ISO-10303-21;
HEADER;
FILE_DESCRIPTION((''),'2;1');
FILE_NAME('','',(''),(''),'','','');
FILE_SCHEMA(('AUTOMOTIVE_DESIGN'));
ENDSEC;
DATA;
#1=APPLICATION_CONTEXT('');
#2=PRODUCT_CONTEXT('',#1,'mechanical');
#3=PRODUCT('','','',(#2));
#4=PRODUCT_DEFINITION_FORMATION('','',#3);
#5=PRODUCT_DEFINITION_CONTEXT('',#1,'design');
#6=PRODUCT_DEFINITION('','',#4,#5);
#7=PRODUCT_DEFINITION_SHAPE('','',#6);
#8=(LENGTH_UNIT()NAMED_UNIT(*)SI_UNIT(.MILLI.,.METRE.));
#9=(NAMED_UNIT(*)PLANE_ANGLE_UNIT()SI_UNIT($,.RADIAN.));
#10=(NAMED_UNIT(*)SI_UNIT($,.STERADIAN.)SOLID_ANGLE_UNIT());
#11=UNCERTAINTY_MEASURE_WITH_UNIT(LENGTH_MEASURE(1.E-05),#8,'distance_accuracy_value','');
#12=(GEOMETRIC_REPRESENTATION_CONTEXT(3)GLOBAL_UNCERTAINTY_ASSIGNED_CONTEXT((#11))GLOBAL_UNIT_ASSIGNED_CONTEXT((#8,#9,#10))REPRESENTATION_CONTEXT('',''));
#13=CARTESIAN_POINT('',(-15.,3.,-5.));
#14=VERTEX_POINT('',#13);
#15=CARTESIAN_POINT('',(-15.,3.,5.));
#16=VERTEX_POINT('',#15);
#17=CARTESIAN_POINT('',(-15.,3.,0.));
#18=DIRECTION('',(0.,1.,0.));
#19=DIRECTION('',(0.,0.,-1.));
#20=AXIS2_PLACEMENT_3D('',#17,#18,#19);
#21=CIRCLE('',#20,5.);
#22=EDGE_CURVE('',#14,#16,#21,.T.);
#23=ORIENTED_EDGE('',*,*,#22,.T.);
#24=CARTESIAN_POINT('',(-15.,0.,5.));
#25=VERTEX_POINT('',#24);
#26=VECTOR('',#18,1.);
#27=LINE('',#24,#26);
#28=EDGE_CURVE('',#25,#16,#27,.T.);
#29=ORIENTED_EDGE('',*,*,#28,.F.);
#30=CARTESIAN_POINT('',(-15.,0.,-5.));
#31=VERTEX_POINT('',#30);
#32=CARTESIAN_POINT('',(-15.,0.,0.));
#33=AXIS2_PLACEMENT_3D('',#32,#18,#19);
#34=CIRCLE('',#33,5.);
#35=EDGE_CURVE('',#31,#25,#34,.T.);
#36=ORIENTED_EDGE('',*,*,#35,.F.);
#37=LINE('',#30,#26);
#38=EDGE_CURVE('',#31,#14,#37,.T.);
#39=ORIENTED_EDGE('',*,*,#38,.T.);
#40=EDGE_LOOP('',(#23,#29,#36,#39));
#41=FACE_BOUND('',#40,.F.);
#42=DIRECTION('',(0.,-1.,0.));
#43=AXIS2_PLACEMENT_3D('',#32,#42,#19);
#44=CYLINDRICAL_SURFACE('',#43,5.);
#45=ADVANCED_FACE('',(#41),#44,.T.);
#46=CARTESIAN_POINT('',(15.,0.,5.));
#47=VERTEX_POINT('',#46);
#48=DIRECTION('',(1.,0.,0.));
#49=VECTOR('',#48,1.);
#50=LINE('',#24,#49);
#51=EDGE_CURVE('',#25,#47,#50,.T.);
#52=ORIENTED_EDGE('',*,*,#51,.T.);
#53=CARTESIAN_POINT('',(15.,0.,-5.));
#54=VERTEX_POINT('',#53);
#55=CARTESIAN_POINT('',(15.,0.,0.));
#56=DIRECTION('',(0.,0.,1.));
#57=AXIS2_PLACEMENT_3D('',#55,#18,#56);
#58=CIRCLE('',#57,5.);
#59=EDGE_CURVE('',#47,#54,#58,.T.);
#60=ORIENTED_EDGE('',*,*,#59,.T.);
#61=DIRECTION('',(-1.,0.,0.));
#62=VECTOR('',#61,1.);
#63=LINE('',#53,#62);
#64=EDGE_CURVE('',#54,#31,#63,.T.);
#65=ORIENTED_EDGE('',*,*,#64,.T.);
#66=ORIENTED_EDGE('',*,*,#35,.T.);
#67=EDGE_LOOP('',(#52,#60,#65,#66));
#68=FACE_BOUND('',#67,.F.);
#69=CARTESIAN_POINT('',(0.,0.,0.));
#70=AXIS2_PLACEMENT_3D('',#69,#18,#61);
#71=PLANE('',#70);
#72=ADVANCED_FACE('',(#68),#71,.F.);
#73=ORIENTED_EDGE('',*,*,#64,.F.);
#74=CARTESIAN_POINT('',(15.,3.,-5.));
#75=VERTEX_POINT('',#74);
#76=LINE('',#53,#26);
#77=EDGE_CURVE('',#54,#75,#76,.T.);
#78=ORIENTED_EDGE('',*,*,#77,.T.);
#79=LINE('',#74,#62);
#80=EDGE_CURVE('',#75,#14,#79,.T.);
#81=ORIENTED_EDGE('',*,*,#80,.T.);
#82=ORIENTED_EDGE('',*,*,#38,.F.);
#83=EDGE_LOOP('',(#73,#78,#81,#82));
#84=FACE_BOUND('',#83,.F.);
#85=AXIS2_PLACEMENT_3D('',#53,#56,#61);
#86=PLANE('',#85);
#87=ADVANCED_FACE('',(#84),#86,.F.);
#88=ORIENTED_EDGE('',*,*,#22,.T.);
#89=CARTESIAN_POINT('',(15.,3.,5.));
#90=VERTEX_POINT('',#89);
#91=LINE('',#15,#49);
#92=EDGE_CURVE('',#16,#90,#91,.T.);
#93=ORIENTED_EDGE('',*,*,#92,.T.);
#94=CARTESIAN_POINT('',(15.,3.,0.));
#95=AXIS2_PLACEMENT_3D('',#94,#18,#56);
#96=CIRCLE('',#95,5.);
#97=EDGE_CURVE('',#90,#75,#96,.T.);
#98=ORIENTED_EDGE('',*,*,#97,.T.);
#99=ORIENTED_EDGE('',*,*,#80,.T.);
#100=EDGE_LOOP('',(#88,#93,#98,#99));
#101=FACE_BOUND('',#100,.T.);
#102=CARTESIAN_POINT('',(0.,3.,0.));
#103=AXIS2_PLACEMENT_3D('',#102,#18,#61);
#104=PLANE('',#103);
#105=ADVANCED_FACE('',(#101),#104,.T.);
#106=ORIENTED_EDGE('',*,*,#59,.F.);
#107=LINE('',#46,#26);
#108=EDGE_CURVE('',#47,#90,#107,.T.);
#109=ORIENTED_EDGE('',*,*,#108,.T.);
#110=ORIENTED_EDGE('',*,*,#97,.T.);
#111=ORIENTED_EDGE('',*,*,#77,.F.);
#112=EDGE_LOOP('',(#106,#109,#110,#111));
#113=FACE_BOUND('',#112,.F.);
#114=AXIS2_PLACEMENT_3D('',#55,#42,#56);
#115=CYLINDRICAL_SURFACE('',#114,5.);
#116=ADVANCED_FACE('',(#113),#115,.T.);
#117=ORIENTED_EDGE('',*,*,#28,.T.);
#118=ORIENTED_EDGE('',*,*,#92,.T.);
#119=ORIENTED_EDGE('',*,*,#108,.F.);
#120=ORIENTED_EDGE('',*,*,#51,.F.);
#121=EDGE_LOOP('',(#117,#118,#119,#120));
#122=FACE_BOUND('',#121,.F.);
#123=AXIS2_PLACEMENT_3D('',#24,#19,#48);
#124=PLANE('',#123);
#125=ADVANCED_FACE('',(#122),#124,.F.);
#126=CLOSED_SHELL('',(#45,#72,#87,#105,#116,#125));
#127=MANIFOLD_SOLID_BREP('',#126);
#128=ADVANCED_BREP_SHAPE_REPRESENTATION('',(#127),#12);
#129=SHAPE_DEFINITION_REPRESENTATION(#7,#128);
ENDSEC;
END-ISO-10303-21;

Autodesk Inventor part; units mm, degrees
ref_plane "YZ Plane" through (0, 0, 0) normal (1, 0, 0) x (0, 1, 0)
ref_plane "XZ Plane" through (0, 0, 0) normal (0, 1, 0) x (-1, 0, 0)
ref_plane "XY Plane" through (0, 0, 0) normal (0, 0, 1) x (1, 0, 0)
sketch "Sketch1" plane through (0, 0, 0) normal (0, 1, 0) x (-1, 0, 0)
  line L0 (15, 0) -> (-15, 0) construction
  line L1 (15, 5) -> (-15, 5)
  line L2 (-15, -5) -> (15, -5)
  arc A0 (15, -5) -> (15, 5) centre (15, 0) ccw
  arc A1 (-15, 5) -> (-15, -5) centre (-15, 0) ccw
  point P0 (0, 0)
  point P1 (0, 0)
  dimension "d0" = 10
  dimension "d1" = 30
extrude "Extrusion1" add sketch "Sketch1" along normal blind 3
properties part number "bump-stop"
